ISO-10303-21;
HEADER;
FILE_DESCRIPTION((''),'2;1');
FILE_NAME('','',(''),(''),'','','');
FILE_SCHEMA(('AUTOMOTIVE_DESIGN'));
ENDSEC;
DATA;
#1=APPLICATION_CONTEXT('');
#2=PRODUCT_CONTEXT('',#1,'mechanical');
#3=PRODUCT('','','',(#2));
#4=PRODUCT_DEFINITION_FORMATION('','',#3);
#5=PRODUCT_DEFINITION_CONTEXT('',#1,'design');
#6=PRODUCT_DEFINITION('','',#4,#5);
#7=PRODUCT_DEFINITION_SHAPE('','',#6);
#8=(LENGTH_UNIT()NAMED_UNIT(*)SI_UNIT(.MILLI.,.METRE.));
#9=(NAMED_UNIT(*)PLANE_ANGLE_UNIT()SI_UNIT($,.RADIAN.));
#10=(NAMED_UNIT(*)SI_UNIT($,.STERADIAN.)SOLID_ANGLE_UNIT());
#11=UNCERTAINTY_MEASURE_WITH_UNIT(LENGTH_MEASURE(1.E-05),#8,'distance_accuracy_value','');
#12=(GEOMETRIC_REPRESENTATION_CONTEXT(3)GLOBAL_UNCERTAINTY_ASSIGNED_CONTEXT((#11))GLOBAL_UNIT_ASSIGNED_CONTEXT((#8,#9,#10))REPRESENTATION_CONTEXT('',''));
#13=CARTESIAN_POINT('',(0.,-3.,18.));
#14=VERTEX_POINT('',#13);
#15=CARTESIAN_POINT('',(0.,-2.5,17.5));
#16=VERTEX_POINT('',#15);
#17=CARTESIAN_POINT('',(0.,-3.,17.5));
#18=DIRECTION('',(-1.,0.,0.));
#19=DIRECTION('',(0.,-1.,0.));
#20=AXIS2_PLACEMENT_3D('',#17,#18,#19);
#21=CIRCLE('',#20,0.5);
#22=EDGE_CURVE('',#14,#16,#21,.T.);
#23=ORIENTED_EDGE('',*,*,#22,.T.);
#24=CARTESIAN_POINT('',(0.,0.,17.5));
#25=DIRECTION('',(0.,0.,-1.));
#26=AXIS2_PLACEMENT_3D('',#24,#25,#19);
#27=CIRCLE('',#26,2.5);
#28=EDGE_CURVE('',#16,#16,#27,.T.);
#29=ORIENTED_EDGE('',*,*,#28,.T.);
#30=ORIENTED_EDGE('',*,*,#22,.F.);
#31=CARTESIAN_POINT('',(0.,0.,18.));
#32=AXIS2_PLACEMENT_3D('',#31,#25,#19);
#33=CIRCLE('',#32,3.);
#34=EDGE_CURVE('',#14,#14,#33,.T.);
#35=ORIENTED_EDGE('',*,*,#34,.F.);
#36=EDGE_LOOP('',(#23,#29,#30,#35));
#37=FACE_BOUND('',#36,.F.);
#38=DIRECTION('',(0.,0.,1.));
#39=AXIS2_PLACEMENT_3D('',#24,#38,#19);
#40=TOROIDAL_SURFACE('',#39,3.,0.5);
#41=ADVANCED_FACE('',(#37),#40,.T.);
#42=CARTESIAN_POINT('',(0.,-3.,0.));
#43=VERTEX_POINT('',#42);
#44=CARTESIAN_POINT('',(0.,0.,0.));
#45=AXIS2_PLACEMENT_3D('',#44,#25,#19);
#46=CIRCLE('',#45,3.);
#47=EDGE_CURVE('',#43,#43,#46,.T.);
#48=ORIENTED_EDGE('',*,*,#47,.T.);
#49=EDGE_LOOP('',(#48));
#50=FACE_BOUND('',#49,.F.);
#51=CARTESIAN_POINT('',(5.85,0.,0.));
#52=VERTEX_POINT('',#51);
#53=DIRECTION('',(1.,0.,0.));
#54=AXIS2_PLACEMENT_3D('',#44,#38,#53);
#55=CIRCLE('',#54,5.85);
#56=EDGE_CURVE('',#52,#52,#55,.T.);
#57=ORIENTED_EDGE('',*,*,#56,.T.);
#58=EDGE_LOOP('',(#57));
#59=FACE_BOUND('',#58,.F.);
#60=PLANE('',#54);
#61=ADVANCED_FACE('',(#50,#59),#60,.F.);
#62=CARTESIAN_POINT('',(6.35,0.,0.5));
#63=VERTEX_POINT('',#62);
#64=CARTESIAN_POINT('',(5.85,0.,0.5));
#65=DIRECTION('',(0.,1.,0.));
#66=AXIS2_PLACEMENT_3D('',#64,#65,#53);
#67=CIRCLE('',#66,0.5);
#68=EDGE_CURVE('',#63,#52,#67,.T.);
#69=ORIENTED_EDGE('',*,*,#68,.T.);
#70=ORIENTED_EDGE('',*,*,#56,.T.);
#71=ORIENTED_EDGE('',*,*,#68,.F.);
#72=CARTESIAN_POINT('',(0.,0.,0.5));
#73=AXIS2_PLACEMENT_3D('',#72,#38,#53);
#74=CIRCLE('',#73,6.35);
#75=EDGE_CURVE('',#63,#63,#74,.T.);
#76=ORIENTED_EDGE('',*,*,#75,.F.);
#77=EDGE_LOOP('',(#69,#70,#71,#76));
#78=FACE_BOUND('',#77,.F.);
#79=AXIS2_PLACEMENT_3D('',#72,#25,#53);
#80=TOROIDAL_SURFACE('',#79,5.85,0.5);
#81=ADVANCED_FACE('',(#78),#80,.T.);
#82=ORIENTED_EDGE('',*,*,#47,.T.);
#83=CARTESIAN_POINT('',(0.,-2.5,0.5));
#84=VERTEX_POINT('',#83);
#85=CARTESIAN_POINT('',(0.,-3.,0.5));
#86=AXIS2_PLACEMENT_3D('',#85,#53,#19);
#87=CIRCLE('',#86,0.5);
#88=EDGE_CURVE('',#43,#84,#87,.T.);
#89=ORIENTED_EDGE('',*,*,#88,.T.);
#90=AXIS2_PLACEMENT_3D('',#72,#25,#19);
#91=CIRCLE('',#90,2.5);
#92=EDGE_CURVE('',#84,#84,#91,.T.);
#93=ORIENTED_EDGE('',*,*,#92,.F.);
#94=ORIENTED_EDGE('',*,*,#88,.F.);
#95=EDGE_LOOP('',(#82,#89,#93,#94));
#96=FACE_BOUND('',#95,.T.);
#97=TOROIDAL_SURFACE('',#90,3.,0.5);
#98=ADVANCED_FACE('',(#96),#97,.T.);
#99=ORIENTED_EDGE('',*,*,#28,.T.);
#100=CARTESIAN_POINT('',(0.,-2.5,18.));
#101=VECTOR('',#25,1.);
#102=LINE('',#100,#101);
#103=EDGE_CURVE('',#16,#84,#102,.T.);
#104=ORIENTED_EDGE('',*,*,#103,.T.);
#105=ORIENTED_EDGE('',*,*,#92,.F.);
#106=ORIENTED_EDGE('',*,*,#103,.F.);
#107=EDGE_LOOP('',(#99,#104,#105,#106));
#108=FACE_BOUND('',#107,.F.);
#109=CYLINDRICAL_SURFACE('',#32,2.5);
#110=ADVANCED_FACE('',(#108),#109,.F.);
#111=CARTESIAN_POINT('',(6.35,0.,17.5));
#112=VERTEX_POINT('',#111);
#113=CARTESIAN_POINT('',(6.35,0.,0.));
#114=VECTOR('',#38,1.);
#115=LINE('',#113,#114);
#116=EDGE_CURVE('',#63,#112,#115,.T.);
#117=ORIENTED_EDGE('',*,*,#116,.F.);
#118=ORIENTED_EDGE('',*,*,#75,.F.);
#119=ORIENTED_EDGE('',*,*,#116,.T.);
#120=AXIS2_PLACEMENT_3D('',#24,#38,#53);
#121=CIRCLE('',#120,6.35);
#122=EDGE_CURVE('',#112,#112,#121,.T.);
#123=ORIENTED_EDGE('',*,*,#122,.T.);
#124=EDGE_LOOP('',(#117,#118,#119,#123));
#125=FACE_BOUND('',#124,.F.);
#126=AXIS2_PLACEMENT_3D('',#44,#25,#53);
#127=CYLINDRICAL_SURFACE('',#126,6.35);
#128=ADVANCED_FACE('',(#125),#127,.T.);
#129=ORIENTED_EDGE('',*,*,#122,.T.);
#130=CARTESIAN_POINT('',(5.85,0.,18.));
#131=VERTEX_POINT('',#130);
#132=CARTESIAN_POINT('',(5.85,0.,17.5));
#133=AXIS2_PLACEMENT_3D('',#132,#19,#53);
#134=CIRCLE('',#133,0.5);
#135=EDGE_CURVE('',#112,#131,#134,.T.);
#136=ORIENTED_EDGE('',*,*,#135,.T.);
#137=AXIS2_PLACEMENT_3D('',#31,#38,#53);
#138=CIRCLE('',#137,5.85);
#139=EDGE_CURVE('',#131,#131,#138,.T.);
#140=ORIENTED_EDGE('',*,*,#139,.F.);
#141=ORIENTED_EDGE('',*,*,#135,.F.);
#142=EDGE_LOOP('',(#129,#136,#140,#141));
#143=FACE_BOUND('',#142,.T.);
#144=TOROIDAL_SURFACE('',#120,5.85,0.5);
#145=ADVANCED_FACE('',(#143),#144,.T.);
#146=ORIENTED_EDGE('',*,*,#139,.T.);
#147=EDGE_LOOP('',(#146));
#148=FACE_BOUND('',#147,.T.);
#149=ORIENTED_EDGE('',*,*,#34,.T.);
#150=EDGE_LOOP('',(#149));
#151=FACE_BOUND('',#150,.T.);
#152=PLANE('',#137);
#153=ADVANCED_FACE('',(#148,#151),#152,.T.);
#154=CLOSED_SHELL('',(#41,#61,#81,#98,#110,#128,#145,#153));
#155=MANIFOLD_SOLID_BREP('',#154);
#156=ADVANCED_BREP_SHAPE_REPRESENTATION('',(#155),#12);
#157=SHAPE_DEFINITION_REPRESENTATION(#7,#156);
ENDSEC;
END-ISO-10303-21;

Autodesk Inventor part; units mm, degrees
ref_plane "YZ Plane" through (0, 0, 0) normal (1, 0, 0) x (0, 1, 0)
ref_plane "XZ Plane" through (0, 0, 0) normal (0, 1, 0) x (-1, 0, 0)
ref_plane "XY Plane" through (0, 0, 0) normal (0, 0, 1) x (1, 0, 0)
sketch "Sketch1" plane through (0, 0, 0) normal (0, 0, 1) x (1, 0, 0)
  circle A0 centre (0, 0) radius 6.35
  dimension "d0" = 12.7
extrude "Extrusion1" add sketch "Sketch1" along normal blind 18
hole "Hole1" at (0, 0, 18) direction (0, 0, -1) diameter 5 end through all
fillet "Fillet1" radius 0.5 4 edges at (-6.35, 0, 18) (0, 2.5, 18) (0, 2.5, 0) (-6.35, 0, 0)
properties part number "Idler" material "Nylon-6/6"
